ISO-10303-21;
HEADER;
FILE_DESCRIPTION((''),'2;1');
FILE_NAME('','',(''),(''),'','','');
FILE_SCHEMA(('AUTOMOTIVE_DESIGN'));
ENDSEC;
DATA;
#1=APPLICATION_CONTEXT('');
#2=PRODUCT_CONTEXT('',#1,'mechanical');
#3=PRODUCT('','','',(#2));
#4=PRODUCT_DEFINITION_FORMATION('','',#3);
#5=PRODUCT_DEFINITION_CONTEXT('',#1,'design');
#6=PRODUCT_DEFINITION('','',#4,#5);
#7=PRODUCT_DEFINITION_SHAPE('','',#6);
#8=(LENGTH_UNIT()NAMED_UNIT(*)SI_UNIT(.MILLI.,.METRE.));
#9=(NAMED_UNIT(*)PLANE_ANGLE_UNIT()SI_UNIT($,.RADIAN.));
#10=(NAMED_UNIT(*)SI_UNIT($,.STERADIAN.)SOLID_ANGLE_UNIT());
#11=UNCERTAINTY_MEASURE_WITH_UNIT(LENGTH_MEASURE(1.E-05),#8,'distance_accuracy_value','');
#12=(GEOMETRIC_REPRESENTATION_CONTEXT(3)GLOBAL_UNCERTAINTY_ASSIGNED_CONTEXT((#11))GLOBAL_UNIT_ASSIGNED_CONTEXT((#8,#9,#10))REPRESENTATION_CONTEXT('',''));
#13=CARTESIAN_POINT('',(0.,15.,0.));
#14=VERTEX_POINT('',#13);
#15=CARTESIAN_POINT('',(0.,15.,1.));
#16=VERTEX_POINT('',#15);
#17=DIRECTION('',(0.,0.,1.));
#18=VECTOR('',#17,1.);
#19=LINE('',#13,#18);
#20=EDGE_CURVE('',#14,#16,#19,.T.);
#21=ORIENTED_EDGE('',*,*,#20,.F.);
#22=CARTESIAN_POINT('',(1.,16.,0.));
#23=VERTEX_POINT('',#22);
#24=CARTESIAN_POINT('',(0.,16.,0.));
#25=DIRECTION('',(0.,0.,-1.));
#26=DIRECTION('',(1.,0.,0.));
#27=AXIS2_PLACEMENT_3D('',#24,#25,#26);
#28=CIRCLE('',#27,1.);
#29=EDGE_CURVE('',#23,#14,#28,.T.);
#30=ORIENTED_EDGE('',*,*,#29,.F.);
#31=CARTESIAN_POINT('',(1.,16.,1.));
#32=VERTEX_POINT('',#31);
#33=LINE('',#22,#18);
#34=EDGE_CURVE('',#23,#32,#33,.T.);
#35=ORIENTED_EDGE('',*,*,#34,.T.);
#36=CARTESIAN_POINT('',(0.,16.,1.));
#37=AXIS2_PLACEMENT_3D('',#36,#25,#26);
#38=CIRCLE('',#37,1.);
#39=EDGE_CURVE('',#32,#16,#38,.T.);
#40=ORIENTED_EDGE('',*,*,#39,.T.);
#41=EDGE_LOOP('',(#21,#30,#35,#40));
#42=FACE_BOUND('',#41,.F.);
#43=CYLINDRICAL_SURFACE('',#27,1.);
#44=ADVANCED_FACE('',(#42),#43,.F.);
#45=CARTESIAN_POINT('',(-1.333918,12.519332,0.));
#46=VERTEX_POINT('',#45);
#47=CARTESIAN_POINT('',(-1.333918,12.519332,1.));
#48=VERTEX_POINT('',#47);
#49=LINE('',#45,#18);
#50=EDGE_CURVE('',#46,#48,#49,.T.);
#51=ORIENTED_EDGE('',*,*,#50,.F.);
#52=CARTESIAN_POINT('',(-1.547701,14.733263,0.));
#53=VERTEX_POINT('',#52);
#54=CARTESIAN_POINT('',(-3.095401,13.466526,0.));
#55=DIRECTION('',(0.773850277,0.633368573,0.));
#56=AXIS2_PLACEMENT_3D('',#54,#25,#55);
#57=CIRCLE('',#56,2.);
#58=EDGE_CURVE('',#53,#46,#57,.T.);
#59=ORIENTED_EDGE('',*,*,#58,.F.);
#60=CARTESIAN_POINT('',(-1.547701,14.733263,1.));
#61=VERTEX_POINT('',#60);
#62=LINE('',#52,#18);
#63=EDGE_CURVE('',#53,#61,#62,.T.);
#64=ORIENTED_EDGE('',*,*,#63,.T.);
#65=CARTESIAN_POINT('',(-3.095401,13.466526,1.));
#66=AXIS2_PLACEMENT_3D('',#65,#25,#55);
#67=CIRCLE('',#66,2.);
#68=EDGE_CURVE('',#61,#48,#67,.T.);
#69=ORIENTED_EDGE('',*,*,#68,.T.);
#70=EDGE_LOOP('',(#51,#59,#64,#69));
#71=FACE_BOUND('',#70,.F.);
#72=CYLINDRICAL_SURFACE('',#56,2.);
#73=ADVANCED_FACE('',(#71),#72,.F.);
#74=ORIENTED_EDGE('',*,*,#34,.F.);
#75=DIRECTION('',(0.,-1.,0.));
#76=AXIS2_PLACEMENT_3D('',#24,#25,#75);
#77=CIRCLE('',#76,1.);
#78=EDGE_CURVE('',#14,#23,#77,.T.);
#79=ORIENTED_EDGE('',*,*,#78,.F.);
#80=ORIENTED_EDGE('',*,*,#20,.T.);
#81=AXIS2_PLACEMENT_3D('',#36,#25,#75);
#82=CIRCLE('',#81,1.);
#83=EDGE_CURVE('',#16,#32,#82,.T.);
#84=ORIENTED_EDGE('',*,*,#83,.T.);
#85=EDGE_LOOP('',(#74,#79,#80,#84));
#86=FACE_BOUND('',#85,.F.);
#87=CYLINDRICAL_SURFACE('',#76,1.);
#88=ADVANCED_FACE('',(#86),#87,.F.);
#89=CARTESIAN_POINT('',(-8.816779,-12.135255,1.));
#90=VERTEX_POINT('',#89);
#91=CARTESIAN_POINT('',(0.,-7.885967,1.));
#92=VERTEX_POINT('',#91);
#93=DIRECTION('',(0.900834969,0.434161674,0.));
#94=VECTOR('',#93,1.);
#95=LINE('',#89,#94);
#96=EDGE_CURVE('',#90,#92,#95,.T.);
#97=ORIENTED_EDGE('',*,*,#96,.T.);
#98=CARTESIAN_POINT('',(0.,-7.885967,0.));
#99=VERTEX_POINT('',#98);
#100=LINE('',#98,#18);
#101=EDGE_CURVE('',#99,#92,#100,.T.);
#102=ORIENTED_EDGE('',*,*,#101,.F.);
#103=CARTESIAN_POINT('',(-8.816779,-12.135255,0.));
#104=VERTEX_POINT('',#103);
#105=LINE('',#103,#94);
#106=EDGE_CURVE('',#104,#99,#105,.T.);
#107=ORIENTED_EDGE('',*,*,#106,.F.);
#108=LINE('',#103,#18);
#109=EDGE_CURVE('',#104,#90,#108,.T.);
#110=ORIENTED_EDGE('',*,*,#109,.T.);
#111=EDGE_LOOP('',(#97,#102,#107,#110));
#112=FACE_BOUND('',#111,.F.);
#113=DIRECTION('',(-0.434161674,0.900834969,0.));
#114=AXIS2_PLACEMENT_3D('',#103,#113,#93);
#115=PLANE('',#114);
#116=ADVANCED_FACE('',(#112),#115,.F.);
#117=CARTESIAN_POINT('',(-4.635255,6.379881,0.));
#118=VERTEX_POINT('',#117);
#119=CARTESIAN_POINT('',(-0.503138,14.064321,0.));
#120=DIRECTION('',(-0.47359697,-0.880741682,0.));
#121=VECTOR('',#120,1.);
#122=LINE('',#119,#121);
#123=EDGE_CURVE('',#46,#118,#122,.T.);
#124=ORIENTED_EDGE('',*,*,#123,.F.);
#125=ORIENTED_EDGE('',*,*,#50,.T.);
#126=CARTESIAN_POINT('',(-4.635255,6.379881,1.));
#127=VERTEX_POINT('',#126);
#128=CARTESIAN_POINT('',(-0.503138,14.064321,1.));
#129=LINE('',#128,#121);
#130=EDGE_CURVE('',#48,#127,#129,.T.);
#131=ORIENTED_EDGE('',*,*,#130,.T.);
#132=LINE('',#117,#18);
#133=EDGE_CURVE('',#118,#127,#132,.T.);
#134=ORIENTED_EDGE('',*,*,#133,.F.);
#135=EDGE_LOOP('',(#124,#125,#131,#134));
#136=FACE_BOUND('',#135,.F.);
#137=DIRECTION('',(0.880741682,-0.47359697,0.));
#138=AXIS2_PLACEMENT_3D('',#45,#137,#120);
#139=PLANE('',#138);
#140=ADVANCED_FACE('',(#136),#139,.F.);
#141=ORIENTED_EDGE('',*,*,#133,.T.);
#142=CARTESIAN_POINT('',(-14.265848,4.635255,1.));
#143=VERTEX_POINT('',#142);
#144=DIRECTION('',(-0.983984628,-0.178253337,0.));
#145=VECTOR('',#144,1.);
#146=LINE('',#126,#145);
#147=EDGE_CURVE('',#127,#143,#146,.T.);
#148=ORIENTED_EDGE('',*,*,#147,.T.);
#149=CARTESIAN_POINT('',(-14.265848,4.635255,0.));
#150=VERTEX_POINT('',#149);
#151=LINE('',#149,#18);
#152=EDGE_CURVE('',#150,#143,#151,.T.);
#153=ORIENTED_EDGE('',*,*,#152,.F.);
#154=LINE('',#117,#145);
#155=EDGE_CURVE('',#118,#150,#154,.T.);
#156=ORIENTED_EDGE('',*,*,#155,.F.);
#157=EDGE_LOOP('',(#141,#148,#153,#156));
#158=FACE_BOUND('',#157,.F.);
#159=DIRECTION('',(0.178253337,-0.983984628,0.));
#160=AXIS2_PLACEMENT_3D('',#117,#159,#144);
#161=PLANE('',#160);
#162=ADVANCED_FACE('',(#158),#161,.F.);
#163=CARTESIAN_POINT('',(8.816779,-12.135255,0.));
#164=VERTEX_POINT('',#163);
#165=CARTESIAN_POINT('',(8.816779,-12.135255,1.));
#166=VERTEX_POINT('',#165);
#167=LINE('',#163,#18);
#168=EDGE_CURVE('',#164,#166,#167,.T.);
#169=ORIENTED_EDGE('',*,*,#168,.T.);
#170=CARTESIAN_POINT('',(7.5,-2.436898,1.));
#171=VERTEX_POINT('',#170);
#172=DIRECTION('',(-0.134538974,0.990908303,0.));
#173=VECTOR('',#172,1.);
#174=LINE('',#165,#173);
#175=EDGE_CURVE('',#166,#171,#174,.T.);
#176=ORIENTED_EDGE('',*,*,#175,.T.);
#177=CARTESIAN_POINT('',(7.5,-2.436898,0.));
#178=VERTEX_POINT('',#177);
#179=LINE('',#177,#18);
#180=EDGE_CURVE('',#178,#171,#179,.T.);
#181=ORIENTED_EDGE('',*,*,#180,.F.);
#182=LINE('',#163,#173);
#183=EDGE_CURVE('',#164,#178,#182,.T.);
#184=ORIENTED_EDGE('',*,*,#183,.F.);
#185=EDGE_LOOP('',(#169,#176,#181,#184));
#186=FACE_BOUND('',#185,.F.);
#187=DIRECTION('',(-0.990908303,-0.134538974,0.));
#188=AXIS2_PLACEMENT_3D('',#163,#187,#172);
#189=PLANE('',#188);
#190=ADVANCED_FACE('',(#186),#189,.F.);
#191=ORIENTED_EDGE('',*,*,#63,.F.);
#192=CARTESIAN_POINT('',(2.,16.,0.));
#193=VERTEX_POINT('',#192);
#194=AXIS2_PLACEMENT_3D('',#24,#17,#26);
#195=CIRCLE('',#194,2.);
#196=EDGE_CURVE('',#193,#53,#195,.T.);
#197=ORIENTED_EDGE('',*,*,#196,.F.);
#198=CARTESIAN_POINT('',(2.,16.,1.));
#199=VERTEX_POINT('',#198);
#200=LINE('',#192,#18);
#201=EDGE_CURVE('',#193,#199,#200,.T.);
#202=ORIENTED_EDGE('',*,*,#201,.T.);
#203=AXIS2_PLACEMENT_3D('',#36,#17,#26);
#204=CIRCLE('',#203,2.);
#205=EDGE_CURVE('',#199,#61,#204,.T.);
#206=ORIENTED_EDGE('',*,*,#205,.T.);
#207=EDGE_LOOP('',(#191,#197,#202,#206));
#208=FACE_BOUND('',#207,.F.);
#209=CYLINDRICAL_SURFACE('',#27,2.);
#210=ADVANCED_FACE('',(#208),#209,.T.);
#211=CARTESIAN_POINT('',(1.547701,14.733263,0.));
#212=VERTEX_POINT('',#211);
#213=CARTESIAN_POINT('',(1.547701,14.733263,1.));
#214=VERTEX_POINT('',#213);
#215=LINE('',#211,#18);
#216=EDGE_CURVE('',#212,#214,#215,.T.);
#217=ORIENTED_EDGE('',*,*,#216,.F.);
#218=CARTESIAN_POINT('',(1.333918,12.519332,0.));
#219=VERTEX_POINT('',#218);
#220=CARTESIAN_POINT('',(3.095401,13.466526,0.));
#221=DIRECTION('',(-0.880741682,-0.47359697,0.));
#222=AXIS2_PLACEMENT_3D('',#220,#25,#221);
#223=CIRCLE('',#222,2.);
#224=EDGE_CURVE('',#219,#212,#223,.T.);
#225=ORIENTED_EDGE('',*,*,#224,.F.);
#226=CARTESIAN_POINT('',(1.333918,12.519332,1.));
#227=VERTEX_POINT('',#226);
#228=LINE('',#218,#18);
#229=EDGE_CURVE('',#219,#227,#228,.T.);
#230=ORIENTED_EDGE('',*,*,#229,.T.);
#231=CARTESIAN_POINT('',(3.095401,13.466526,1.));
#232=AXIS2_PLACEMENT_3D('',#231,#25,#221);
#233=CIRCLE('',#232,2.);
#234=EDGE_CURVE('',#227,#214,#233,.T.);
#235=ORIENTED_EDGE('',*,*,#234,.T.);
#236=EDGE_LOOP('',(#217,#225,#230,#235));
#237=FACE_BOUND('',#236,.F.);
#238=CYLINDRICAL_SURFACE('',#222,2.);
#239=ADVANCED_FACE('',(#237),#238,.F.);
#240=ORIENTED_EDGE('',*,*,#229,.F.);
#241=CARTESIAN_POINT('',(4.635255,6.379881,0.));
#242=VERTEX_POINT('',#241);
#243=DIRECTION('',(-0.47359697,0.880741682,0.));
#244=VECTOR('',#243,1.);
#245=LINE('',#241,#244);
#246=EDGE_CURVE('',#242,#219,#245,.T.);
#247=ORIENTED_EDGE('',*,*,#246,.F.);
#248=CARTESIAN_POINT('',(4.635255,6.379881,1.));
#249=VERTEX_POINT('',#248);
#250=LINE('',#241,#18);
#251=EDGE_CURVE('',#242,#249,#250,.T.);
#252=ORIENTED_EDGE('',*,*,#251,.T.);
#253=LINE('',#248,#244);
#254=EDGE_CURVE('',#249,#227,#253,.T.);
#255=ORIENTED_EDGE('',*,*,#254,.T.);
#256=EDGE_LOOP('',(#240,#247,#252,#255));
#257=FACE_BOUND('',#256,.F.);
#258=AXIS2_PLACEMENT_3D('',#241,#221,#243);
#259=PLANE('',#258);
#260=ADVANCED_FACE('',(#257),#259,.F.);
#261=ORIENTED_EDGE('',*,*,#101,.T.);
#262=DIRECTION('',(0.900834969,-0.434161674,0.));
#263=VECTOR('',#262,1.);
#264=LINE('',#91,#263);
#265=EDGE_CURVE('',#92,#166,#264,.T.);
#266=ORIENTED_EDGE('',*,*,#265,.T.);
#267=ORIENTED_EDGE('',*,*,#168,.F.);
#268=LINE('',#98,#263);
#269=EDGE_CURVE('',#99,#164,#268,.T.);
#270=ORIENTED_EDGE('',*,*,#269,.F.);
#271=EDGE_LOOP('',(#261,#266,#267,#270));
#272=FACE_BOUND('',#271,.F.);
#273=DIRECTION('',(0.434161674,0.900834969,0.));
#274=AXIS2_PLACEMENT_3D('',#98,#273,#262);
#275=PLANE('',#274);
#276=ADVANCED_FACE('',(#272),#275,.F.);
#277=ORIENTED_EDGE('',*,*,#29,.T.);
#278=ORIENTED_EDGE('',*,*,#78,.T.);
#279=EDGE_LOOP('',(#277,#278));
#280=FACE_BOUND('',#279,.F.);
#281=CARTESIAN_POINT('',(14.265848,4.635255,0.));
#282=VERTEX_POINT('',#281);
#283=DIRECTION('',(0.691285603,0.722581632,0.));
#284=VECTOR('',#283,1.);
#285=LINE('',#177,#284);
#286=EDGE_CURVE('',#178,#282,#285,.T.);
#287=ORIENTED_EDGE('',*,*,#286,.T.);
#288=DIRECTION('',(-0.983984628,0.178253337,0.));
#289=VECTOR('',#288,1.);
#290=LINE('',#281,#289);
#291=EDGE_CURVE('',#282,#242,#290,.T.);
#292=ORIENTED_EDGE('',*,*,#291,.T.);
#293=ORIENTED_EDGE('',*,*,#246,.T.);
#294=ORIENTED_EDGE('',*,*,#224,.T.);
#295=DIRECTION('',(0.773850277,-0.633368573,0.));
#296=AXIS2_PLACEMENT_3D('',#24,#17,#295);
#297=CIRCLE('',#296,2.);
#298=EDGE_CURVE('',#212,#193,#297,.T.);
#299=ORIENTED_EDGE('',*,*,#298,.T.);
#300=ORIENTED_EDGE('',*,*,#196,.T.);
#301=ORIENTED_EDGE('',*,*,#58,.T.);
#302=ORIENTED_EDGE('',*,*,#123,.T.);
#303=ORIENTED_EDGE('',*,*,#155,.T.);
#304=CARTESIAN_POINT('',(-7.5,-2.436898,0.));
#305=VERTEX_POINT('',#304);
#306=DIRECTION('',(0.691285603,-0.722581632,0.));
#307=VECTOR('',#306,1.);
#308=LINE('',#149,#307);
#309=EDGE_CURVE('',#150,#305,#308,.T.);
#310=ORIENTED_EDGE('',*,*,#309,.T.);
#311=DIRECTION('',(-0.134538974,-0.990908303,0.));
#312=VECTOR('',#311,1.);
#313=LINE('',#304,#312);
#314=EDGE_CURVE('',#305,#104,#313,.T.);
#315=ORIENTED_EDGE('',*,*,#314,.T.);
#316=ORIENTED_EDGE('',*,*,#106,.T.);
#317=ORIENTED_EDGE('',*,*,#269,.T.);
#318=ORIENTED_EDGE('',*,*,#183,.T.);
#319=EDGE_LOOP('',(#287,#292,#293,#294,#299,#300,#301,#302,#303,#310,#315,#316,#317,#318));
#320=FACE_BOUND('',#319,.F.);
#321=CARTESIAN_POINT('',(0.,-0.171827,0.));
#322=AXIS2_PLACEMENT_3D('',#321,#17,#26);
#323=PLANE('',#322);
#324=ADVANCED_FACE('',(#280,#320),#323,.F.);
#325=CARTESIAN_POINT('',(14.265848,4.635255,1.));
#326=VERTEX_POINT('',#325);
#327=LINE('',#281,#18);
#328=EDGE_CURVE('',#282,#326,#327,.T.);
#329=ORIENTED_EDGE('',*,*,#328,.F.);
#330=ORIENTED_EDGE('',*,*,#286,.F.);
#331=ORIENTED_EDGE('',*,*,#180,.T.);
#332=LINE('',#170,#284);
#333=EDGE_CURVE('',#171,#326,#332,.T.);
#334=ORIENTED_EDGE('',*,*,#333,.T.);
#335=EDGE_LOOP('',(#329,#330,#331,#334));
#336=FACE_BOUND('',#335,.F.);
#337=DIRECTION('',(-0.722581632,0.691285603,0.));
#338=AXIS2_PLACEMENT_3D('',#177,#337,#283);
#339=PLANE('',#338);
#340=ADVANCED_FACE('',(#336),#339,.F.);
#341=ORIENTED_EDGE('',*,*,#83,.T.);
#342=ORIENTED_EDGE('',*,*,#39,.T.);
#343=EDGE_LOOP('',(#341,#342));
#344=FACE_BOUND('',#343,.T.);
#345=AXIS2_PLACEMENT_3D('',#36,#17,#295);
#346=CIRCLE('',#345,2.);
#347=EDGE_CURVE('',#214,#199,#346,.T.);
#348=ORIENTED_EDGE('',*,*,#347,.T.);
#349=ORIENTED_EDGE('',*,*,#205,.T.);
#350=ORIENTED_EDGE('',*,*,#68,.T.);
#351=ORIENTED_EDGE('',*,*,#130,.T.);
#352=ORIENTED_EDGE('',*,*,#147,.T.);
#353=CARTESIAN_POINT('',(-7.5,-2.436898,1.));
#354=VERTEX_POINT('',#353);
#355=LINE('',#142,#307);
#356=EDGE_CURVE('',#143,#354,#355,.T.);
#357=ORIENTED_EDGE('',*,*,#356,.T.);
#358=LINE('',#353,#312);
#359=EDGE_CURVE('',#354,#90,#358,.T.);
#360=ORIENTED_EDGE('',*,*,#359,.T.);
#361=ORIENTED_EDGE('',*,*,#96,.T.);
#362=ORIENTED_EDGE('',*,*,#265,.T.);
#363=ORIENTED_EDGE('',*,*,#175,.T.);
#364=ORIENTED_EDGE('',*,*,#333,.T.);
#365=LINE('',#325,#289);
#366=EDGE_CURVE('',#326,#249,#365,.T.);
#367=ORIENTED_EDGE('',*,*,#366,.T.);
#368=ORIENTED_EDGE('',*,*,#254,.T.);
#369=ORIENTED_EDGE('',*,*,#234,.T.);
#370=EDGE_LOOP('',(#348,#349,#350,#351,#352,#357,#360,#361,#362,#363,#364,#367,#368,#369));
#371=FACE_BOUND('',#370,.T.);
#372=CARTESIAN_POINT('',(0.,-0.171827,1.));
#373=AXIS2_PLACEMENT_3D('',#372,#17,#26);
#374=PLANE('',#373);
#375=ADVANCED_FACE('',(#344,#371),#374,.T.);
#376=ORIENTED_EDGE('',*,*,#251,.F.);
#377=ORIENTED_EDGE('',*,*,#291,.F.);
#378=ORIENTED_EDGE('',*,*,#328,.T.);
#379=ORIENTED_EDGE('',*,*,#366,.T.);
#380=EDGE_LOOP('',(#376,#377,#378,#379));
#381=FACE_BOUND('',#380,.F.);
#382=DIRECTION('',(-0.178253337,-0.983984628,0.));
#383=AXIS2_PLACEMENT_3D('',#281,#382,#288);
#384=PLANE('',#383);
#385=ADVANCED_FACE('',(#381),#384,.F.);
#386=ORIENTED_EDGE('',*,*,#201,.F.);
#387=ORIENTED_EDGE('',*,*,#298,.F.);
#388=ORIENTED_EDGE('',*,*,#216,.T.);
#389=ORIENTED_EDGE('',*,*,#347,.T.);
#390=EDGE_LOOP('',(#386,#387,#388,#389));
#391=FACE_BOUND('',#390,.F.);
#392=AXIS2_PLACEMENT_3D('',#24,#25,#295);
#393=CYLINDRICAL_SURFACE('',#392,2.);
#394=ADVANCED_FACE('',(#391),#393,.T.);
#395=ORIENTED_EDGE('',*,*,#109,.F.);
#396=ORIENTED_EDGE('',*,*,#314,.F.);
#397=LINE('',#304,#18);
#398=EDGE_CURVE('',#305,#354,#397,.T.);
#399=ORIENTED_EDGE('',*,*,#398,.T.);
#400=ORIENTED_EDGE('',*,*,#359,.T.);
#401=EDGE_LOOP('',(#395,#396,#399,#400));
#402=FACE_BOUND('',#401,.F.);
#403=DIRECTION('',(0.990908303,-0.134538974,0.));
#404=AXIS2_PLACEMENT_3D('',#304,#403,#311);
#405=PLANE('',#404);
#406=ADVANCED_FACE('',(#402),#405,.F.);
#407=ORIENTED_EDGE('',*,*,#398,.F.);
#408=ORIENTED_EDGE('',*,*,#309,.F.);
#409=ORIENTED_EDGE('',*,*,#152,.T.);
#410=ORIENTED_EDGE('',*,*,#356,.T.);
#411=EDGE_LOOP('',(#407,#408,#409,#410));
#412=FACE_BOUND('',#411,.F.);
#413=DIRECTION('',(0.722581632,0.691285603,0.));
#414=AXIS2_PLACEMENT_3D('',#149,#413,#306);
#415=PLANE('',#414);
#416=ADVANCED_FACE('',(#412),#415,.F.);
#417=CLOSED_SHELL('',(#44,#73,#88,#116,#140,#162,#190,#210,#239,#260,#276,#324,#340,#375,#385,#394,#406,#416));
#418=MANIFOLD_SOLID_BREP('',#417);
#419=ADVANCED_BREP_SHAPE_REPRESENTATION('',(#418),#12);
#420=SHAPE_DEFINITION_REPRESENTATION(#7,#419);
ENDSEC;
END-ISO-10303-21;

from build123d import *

# Parameters (mm, degrees)
F1_DEPTH = 1


with BuildPart() as f1:
    # F0 (on Top) → F1 (new body)
    with BuildSketch(Plane.XY):
        with BuildLine():
            Line((4.6352549156, 6.3798810626), (1.3339177444, 12.5193317695))
            Line((1.3339177444, 12.5193317695), (0.503138004, 14.0643212692))
            ThreePointArc((0.503138004, 14.0643212692), (0, 14), (-0.503138004, 14.0643212692))
            Line((-0.503138004, 14.0643212692), (-1.3339177444, 12.5193317695))
            Line((-1.3339177444, 12.5193317695), (-4.6352549156, 6.3798810626))
            Line((-4.6352549156, 6.3798810626), (-14.2658477444, 4.6352549156))
            Line((-14.2658477444, 4.6352549156), (-7.5, -2.4368977217))
            Line((-7.5, -2.4368977217), (-8.8167787844, -12.1352549156))
            Line((-8.8167787844, -12.1352549156), (0, -7.8859666818))
            Line((0, -7.8859666818), (8.8167787844, -12.1352549156))
            Line((8.8167787844, -12.1352549156), (7.5, -2.4368977217))
            Line((7.5, -2.4368977217), (14.2658477444, 4.6352549156))
            Line((14.2658477444, 4.6352549156), (4.6352549156, 6.3798810626))
        make_face()
        with BuildLine():
            Line((0.503138004, 14.0643212692), (1.3339177444, 12.5193317695))
            ThreePointArc((1.3339177444, 12.5193317695), (1.1046607275, 13.6587566576), (1.547700554, 14.7332628547))
            ThreePointArc((1.547700554, 14.7332628547), (1.0785895461, 14.315765874), (0.503138004, 14.0643212692))
        make_face()
        with BuildLine():
            ThreePointArc((-0.503138004, 14.0643212692), (0, 14), (0.503138004, 14.0643212692))
            Line((0.503138004, 14.0643212692), (0, 15))
            Line((0, 15), (-0.503138004, 14.0643212692))
        make_face()
        with BuildLine():
            Line((-1.3339177444, 12.5193317695), (-0.503138004, 14.0643212692))
            ThreePointArc((-0.503138004, 14.0643212692), (-1.0785895461, 14.315765874), (-1.547700554, 14.7332628547))
            ThreePointArc((-1.547700554, 14.7332628547), (-1.1046607275, 13.6587566576), (-1.3339177444, 12.5193317695))
        make_face()
        with BuildLine():
            Line((0, 15), (0.503138004, 14.0643212692))
            ThreePointArc((0.503138004, 14.0643212692), (1.0785895461, 14.315765874), (1.547700554, 14.7332628547))
            ThreePointArc((1.547700554, 14.7332628547), (1.8835340597, 15.3274678848), (2, 16))
            ThreePointArc((2, 16), (-0.6725321152, 17.8835340597), (-1.547700554, 14.7332628547))
            ThreePointArc((-1.547700554, 14.7332628547), (-1.0785895461, 14.315765874), (-0.503138004, 14.0643212692))
            Line((-0.503138004, 14.0643212692), (0, 15))
        make_face()
        with BuildLine():
            ThreePointArc((1, 16), (0.7071067812, 15.2928932188), (0, 15))
            ThreePointArc((0, 15), (-0.7071067812, 16.7071067812), (1, 16))
        make_face(mode=Mode.SUBTRACT)
    extrude(amount=F1_DEPTH)


solid = f1.part
